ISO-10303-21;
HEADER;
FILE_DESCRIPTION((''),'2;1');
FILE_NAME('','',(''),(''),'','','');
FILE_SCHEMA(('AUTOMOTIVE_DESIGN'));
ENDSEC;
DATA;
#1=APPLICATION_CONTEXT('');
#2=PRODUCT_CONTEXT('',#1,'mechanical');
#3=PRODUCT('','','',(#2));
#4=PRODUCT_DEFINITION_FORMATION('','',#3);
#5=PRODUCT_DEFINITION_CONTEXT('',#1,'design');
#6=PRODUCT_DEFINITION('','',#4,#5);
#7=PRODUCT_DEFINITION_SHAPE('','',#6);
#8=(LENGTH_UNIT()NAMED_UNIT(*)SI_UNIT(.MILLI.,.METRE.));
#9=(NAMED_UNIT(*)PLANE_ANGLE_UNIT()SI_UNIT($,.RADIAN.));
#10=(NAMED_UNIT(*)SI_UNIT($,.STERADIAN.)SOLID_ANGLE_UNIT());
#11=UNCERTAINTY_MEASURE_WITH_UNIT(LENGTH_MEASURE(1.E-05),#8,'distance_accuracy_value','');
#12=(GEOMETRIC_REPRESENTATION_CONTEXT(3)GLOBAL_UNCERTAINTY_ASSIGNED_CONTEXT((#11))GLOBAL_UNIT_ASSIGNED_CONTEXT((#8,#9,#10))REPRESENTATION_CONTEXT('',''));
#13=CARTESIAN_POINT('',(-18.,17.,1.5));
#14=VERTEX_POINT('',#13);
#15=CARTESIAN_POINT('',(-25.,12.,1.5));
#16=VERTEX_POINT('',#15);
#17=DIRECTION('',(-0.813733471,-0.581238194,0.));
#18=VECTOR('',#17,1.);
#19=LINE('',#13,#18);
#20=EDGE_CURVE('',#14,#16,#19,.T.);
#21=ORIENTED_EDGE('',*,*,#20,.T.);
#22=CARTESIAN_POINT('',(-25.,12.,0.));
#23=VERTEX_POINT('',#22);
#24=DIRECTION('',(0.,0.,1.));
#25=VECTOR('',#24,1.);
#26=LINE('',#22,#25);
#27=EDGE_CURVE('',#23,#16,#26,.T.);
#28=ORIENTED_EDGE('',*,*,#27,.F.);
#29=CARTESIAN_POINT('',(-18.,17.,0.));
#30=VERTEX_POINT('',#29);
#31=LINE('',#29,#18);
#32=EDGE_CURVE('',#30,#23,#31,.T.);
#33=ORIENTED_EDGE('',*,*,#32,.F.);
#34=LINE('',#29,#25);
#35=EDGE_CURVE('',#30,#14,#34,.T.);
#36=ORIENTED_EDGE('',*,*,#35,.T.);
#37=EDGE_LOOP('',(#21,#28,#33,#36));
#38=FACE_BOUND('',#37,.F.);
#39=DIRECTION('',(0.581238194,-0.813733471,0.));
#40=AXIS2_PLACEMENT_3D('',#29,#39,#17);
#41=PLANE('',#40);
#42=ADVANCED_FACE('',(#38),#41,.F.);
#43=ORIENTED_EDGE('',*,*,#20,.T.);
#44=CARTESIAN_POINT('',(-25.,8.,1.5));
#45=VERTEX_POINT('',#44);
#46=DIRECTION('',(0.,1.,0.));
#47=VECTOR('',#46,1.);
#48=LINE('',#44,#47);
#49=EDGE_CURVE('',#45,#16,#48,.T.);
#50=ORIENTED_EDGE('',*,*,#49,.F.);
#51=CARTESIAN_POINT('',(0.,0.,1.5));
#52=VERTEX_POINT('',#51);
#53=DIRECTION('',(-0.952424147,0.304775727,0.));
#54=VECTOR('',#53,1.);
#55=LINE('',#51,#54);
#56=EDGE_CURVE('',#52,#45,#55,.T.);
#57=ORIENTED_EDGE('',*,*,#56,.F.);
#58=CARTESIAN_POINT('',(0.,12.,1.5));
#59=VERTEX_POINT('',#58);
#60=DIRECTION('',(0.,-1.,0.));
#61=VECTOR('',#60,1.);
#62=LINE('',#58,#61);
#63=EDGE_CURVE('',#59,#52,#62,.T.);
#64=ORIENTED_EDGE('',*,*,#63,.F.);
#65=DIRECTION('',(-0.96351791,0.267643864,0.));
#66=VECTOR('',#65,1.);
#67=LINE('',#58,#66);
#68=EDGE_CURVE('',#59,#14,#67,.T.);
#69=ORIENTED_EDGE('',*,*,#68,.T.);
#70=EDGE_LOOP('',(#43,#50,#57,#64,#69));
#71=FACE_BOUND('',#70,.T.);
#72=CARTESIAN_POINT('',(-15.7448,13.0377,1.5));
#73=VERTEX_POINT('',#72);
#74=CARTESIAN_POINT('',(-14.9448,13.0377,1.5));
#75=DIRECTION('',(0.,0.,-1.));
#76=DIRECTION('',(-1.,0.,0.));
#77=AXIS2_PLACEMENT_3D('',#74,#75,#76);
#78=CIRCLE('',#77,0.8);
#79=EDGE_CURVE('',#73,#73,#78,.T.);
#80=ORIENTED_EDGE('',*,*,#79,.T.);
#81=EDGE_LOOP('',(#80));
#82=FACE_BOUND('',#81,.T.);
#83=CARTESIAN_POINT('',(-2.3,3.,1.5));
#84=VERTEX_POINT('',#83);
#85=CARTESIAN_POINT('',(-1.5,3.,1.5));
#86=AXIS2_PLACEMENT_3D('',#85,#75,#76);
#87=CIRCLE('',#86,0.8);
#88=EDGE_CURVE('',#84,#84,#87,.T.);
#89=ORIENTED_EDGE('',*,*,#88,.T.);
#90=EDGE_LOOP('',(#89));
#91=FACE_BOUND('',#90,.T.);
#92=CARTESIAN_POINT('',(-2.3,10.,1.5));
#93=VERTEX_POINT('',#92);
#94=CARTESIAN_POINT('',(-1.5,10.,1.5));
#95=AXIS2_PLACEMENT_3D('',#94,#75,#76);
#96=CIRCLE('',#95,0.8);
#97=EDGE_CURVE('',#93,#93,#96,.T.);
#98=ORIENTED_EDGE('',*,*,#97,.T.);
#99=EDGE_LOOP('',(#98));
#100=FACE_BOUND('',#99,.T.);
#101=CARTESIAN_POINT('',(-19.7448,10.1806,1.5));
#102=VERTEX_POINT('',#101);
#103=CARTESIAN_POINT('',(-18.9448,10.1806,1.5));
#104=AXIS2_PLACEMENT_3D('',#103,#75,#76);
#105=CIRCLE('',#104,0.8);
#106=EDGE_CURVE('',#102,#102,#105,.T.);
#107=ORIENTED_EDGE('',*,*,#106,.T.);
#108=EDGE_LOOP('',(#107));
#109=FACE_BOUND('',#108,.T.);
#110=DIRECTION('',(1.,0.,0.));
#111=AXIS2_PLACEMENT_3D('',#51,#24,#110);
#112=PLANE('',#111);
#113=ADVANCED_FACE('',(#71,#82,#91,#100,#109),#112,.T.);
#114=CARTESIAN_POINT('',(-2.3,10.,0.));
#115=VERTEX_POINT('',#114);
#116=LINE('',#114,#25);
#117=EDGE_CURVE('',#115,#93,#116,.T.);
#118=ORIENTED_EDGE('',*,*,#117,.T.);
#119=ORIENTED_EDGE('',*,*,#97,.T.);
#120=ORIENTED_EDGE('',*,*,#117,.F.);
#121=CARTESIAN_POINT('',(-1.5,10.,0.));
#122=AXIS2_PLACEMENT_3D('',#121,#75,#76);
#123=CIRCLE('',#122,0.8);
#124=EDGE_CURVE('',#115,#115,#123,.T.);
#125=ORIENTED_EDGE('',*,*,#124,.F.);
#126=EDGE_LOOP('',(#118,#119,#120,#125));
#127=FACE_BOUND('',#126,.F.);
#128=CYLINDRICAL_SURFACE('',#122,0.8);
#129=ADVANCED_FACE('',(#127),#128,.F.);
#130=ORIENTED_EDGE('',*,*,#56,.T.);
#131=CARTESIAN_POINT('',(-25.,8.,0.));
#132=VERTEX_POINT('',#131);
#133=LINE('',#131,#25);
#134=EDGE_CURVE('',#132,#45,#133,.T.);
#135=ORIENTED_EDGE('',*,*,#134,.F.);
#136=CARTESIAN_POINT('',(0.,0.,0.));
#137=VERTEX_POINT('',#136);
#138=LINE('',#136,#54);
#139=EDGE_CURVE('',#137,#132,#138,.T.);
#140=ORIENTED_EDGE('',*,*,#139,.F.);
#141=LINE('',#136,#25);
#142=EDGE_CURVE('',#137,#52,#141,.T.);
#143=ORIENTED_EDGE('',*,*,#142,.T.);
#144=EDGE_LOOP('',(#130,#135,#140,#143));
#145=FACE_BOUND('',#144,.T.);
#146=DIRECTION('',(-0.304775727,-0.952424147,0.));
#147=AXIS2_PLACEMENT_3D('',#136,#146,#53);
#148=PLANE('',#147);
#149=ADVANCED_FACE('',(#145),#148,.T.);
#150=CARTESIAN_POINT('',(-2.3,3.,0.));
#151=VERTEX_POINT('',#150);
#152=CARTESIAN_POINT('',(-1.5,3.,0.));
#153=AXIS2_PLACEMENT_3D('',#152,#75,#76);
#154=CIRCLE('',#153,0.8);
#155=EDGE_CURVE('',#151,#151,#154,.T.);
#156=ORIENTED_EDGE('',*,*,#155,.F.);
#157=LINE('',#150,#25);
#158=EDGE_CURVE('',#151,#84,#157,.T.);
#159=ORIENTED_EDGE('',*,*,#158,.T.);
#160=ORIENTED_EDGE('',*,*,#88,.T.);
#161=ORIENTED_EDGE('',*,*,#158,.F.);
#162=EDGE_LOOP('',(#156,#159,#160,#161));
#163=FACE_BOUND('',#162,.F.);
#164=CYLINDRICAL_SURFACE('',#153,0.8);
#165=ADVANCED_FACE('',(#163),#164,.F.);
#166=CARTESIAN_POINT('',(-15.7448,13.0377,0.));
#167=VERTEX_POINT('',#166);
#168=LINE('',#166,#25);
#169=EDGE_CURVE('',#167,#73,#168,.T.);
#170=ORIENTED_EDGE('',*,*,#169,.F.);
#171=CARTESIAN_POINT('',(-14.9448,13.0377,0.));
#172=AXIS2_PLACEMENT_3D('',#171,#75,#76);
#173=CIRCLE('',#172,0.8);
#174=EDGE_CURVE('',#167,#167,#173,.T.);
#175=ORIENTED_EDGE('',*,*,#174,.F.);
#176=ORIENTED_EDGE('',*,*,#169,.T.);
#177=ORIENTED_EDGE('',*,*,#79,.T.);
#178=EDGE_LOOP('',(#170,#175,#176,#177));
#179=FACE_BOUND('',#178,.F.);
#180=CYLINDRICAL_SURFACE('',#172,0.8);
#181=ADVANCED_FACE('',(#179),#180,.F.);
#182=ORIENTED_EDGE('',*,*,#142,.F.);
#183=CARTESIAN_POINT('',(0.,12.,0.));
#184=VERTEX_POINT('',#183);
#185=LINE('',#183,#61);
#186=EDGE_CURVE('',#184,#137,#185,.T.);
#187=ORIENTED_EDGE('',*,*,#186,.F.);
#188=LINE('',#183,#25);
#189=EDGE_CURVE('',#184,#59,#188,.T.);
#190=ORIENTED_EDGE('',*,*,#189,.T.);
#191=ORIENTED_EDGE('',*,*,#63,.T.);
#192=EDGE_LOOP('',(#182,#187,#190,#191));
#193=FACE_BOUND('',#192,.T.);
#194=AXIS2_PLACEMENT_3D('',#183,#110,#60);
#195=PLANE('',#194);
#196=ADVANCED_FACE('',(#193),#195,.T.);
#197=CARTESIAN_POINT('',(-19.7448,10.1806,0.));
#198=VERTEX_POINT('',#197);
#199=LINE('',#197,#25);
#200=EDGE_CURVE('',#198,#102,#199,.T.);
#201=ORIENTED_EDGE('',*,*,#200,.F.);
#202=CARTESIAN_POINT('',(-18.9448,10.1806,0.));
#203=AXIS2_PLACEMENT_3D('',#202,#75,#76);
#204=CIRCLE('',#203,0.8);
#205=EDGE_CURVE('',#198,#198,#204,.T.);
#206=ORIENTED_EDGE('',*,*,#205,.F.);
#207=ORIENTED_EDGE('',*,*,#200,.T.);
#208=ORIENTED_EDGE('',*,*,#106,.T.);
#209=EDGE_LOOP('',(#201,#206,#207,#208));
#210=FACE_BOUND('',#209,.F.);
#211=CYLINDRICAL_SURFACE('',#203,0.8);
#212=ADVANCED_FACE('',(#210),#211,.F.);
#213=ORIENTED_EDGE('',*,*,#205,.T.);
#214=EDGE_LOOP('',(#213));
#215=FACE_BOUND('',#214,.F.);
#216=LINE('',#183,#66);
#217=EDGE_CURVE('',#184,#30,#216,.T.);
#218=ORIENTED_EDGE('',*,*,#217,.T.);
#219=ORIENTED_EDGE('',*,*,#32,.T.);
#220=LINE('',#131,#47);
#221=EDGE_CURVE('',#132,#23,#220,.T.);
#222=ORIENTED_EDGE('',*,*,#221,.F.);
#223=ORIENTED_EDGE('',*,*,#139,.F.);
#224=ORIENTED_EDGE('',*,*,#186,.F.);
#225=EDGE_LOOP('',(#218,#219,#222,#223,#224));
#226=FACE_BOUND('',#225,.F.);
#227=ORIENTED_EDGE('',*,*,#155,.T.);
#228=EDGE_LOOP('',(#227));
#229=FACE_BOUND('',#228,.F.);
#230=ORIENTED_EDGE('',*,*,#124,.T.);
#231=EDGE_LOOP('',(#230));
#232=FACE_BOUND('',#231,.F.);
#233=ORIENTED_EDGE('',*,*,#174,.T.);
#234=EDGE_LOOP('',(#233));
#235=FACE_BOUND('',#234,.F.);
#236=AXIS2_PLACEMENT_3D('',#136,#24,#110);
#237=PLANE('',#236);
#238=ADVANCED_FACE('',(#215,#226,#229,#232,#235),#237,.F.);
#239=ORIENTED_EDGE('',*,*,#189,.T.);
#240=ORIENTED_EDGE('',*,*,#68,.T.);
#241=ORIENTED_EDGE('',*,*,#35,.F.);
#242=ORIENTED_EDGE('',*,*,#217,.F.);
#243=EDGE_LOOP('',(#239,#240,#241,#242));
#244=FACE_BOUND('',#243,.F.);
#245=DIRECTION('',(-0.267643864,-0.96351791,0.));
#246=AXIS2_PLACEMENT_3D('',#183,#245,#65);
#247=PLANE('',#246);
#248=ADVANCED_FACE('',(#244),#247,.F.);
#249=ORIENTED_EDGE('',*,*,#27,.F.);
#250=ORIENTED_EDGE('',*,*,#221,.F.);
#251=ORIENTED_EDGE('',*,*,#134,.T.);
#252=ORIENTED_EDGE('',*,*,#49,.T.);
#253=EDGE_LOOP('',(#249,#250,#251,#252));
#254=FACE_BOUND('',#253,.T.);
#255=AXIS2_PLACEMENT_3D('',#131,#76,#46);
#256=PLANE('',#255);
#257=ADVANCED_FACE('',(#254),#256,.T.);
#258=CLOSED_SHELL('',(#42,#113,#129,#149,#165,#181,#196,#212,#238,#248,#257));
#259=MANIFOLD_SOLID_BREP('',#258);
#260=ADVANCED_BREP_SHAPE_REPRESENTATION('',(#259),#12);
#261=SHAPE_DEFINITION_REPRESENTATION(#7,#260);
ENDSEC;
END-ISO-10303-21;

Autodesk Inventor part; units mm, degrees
ref_plane "YZ Plane" through (0, 0, 0) normal (1, 0, 0) x (0, 1, 0)
ref_plane "XZ Plane" through (0, 0, 0) normal (0, 1, 0) x (-1, 0, 0)
ref_plane "XY Plane" through (0, 0, 0) normal (0, 0, 1) x (1, 0, 0)
sketch "スケッチ1" plane through (0, 0, 0) normal (0, 0, 1) x (1, 0, 0)
  line L0 (-25, 8) -> (-25, 12)
  line L1 (-25, 12) -> (0, 12)
  line L2 (0, 12) -> (0, 0)
  line L3 (0, 0) -> (-25, 8)
  line L4 (0, 12) -> (-18, 17)
  line L5 (-18, 17) -> (-25, 12)
  dimension "d0" = 12
  dimension "d2" = 4
  dimension "d4" = 25
  dimension "d7" = 5
  dimension "d8" = 18
extrude "プレート1" add sketch "スケッチ1" along normal blind 1.5
sketch "スケッチ4" plane through (0, 0, 0) normal (0, 0, -1) x (-1, 0, 0)
  circle A0 centre (1.5, 10) radius 0.8
  line L0 (0, 0) -> (0, 12) projected
  circle A1 centre (1.5, 3) radius 0.8
  circle A2 centre (14.9448, 13.0377) radius 0.8
  circle A3 centre (18.9448, 10.1806) radius 0.8
  line L1 (14.9448, 13.0377) -> (18.9448, 10.1806) construction
  line L2 (18, 17) -> (25, 12) projected
  line L3 (0, 12) -> (18, 17) projected
  dimension "d21" = 1.6
  dimension "d22" = 1.5
  dimension "d23" = 2
  dimension "d24" = 3
  dimension "d25" = 5
  dimension "d26" = 3
  dimension "d27" = 4
extrude "切り取り1" cut sketch "スケッチ4" against normal blind 1.5
equation "\"d28\" = Thickness"
equation "\"d3\" = Thickness"
equation "\"BendRadius\" = Thickness"
equation "\"BendReliefWidth\" = Thickness"
equation "\"BendReliefDepth\" = 0.5 * Thickness"
equation "\"CornerReliefSize\" = 4 * Thickness"
equation "\"MinimumRemnant\" = 2 * Thickness"
equation "\"TransitionRadius\" = BendRadius"
equation "\"JacobiRadiusSize\" = BendRadius"
equation "\"GapSize\" = Thickness"
equation "\"Thickness\" = 1.5"
properties part number "antana_side" material "アルミニウム 6061"
